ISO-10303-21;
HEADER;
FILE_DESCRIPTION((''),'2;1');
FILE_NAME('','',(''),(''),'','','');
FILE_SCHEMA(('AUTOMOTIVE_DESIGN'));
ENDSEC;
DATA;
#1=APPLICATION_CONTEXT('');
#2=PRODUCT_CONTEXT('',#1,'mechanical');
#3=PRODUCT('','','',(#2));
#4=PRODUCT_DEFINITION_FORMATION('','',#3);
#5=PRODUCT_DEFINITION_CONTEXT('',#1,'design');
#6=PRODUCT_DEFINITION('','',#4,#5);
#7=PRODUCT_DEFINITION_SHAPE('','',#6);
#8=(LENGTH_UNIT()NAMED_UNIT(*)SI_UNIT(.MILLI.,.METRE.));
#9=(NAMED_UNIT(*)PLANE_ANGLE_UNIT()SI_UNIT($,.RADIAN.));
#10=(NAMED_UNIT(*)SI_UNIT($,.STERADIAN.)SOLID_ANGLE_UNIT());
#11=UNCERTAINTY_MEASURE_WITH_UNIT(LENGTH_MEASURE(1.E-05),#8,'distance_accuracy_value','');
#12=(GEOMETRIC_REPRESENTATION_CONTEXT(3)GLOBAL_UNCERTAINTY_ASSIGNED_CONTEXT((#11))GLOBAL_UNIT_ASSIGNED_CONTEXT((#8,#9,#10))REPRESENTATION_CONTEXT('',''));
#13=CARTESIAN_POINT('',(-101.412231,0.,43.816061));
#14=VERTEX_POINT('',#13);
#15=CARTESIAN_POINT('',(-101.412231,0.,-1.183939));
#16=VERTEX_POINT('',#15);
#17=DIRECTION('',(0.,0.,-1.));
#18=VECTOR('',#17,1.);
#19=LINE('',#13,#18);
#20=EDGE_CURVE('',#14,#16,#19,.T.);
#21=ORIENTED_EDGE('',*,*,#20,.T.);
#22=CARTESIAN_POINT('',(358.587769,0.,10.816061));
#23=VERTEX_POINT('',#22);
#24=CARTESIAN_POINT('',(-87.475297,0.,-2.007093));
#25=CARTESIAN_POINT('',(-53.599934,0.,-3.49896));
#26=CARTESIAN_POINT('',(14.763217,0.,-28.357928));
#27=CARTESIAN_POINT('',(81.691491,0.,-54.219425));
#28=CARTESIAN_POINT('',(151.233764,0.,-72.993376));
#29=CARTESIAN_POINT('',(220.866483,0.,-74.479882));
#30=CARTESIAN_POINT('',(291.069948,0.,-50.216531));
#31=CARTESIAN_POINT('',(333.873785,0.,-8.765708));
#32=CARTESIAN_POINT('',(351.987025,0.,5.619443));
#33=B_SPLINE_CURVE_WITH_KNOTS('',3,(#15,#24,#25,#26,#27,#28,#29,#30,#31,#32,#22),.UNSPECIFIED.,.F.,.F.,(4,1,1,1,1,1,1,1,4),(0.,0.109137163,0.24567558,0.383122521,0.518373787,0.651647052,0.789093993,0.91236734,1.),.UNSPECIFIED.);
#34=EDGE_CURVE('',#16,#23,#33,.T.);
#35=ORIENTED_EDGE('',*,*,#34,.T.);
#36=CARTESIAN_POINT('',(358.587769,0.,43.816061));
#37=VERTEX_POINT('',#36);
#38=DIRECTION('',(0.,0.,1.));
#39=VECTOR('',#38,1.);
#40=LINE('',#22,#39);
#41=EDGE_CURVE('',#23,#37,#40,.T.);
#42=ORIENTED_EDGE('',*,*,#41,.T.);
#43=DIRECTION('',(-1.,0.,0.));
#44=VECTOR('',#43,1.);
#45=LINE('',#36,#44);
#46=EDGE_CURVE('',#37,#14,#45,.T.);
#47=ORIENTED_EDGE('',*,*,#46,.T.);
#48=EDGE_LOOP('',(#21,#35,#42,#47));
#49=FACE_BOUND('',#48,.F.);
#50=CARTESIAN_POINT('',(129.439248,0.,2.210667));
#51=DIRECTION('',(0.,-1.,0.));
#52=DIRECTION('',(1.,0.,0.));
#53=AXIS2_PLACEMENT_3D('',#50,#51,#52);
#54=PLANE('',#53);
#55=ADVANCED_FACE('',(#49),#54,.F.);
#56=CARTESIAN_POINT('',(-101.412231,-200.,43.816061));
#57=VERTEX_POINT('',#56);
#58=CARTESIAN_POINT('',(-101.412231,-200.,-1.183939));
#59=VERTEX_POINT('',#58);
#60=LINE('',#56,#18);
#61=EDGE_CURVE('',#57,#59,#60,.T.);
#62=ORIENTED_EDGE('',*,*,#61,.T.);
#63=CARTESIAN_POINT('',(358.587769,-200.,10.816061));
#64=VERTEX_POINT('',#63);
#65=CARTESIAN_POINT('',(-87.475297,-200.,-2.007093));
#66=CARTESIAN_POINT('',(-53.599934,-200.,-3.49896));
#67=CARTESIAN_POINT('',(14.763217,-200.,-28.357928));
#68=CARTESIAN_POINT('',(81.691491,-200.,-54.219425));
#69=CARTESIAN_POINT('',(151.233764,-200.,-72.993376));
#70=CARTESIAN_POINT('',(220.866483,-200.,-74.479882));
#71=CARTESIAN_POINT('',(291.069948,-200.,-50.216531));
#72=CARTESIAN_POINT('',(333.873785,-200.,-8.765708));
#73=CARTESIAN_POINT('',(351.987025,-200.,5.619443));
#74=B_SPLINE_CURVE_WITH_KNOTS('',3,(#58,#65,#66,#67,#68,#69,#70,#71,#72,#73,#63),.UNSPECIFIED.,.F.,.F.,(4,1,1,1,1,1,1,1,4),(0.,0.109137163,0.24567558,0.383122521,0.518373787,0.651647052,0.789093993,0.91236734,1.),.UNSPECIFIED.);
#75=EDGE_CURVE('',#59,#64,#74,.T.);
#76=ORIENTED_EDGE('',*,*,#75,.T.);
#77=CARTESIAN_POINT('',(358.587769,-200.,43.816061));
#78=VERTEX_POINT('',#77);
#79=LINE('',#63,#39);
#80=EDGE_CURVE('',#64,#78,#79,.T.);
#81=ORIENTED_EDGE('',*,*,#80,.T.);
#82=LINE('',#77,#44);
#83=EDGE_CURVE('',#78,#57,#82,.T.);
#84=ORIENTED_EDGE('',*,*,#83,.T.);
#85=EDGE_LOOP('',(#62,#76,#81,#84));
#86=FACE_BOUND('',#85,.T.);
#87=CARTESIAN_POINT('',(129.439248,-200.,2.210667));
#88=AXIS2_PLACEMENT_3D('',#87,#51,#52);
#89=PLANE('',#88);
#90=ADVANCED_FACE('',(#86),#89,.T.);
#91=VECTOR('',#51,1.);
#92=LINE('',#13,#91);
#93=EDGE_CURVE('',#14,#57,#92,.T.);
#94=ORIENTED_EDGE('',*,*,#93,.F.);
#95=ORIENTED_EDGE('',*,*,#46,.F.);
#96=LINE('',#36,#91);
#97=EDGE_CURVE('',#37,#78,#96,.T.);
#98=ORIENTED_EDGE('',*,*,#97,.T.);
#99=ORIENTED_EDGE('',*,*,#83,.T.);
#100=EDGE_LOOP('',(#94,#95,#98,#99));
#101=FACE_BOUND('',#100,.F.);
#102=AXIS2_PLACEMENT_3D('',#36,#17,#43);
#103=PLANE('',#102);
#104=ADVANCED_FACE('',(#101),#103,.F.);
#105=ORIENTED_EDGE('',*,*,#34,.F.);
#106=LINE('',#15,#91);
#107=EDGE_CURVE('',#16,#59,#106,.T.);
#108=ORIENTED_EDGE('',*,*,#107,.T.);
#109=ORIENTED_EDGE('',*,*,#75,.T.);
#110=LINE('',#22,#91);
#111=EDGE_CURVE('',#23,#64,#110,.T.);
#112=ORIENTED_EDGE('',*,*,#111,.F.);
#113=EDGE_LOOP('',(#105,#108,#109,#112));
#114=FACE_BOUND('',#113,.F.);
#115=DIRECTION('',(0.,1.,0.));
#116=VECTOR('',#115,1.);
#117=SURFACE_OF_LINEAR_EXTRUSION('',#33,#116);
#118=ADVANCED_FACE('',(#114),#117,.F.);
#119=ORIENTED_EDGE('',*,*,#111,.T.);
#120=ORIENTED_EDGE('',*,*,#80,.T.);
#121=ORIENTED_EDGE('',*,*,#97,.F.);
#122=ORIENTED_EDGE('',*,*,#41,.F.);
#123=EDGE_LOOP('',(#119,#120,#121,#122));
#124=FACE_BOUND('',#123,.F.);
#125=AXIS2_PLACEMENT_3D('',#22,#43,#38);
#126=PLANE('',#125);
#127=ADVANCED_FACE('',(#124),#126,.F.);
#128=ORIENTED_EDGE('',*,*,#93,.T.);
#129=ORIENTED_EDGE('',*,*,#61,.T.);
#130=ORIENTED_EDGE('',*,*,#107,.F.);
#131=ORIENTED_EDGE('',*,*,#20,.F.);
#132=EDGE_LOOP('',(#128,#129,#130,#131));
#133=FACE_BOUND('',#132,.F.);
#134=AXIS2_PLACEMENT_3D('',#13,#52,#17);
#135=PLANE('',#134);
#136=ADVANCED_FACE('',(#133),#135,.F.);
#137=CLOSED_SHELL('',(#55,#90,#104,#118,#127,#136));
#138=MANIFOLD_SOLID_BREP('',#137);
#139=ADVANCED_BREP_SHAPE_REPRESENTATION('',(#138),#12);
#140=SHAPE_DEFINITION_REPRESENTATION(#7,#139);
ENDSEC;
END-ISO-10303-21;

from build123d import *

# Parameters (mm, degrees)
F1_DEPTH = 200


with BuildPart() as f1:
    # F0 (on Front) → F1 (new body)
    with BuildSketch(Plane.XZ):
        with BuildLine():
            Line((358.5877692103, 43.8160607009), (-101.4122307897, 43.8160607009))
            Line((-101.4122307897, 43.8160607009), (-101.4122307897, -1.1839392991))
            add(Edge.make_bspline(
                [(-101.4122307897, -1.1839392991), (-87.4752973381, -2.0070930861), (-53.5999338515, -3.4989601098), (14.7632174099, -28.3579276385), (81.6914908883, -54.2194249316), (151.2337635521, -72.993375981), (220.8664828205, -74.4798819476), (291.0699478753, -50.2165310003), (333.8737851972, -8.7657081982), (351.9870248646, 5.6194428127), (358.5877692103, 10.8160607009)],
                knots=[0, 0, 0, 0, 0.1091371627, 0.2456755803, 0.3831225215, 0.5183737868, 0.6516470519, 0.7890939931, 0.9123673401, 1, 1, 1, 1], degree=3))
            Line((358.5877692103, 10.8160607009), (358.5877692103, 43.8160607009))
        make_face()
    extrude(amount=F1_DEPTH)


solid = f1.part
